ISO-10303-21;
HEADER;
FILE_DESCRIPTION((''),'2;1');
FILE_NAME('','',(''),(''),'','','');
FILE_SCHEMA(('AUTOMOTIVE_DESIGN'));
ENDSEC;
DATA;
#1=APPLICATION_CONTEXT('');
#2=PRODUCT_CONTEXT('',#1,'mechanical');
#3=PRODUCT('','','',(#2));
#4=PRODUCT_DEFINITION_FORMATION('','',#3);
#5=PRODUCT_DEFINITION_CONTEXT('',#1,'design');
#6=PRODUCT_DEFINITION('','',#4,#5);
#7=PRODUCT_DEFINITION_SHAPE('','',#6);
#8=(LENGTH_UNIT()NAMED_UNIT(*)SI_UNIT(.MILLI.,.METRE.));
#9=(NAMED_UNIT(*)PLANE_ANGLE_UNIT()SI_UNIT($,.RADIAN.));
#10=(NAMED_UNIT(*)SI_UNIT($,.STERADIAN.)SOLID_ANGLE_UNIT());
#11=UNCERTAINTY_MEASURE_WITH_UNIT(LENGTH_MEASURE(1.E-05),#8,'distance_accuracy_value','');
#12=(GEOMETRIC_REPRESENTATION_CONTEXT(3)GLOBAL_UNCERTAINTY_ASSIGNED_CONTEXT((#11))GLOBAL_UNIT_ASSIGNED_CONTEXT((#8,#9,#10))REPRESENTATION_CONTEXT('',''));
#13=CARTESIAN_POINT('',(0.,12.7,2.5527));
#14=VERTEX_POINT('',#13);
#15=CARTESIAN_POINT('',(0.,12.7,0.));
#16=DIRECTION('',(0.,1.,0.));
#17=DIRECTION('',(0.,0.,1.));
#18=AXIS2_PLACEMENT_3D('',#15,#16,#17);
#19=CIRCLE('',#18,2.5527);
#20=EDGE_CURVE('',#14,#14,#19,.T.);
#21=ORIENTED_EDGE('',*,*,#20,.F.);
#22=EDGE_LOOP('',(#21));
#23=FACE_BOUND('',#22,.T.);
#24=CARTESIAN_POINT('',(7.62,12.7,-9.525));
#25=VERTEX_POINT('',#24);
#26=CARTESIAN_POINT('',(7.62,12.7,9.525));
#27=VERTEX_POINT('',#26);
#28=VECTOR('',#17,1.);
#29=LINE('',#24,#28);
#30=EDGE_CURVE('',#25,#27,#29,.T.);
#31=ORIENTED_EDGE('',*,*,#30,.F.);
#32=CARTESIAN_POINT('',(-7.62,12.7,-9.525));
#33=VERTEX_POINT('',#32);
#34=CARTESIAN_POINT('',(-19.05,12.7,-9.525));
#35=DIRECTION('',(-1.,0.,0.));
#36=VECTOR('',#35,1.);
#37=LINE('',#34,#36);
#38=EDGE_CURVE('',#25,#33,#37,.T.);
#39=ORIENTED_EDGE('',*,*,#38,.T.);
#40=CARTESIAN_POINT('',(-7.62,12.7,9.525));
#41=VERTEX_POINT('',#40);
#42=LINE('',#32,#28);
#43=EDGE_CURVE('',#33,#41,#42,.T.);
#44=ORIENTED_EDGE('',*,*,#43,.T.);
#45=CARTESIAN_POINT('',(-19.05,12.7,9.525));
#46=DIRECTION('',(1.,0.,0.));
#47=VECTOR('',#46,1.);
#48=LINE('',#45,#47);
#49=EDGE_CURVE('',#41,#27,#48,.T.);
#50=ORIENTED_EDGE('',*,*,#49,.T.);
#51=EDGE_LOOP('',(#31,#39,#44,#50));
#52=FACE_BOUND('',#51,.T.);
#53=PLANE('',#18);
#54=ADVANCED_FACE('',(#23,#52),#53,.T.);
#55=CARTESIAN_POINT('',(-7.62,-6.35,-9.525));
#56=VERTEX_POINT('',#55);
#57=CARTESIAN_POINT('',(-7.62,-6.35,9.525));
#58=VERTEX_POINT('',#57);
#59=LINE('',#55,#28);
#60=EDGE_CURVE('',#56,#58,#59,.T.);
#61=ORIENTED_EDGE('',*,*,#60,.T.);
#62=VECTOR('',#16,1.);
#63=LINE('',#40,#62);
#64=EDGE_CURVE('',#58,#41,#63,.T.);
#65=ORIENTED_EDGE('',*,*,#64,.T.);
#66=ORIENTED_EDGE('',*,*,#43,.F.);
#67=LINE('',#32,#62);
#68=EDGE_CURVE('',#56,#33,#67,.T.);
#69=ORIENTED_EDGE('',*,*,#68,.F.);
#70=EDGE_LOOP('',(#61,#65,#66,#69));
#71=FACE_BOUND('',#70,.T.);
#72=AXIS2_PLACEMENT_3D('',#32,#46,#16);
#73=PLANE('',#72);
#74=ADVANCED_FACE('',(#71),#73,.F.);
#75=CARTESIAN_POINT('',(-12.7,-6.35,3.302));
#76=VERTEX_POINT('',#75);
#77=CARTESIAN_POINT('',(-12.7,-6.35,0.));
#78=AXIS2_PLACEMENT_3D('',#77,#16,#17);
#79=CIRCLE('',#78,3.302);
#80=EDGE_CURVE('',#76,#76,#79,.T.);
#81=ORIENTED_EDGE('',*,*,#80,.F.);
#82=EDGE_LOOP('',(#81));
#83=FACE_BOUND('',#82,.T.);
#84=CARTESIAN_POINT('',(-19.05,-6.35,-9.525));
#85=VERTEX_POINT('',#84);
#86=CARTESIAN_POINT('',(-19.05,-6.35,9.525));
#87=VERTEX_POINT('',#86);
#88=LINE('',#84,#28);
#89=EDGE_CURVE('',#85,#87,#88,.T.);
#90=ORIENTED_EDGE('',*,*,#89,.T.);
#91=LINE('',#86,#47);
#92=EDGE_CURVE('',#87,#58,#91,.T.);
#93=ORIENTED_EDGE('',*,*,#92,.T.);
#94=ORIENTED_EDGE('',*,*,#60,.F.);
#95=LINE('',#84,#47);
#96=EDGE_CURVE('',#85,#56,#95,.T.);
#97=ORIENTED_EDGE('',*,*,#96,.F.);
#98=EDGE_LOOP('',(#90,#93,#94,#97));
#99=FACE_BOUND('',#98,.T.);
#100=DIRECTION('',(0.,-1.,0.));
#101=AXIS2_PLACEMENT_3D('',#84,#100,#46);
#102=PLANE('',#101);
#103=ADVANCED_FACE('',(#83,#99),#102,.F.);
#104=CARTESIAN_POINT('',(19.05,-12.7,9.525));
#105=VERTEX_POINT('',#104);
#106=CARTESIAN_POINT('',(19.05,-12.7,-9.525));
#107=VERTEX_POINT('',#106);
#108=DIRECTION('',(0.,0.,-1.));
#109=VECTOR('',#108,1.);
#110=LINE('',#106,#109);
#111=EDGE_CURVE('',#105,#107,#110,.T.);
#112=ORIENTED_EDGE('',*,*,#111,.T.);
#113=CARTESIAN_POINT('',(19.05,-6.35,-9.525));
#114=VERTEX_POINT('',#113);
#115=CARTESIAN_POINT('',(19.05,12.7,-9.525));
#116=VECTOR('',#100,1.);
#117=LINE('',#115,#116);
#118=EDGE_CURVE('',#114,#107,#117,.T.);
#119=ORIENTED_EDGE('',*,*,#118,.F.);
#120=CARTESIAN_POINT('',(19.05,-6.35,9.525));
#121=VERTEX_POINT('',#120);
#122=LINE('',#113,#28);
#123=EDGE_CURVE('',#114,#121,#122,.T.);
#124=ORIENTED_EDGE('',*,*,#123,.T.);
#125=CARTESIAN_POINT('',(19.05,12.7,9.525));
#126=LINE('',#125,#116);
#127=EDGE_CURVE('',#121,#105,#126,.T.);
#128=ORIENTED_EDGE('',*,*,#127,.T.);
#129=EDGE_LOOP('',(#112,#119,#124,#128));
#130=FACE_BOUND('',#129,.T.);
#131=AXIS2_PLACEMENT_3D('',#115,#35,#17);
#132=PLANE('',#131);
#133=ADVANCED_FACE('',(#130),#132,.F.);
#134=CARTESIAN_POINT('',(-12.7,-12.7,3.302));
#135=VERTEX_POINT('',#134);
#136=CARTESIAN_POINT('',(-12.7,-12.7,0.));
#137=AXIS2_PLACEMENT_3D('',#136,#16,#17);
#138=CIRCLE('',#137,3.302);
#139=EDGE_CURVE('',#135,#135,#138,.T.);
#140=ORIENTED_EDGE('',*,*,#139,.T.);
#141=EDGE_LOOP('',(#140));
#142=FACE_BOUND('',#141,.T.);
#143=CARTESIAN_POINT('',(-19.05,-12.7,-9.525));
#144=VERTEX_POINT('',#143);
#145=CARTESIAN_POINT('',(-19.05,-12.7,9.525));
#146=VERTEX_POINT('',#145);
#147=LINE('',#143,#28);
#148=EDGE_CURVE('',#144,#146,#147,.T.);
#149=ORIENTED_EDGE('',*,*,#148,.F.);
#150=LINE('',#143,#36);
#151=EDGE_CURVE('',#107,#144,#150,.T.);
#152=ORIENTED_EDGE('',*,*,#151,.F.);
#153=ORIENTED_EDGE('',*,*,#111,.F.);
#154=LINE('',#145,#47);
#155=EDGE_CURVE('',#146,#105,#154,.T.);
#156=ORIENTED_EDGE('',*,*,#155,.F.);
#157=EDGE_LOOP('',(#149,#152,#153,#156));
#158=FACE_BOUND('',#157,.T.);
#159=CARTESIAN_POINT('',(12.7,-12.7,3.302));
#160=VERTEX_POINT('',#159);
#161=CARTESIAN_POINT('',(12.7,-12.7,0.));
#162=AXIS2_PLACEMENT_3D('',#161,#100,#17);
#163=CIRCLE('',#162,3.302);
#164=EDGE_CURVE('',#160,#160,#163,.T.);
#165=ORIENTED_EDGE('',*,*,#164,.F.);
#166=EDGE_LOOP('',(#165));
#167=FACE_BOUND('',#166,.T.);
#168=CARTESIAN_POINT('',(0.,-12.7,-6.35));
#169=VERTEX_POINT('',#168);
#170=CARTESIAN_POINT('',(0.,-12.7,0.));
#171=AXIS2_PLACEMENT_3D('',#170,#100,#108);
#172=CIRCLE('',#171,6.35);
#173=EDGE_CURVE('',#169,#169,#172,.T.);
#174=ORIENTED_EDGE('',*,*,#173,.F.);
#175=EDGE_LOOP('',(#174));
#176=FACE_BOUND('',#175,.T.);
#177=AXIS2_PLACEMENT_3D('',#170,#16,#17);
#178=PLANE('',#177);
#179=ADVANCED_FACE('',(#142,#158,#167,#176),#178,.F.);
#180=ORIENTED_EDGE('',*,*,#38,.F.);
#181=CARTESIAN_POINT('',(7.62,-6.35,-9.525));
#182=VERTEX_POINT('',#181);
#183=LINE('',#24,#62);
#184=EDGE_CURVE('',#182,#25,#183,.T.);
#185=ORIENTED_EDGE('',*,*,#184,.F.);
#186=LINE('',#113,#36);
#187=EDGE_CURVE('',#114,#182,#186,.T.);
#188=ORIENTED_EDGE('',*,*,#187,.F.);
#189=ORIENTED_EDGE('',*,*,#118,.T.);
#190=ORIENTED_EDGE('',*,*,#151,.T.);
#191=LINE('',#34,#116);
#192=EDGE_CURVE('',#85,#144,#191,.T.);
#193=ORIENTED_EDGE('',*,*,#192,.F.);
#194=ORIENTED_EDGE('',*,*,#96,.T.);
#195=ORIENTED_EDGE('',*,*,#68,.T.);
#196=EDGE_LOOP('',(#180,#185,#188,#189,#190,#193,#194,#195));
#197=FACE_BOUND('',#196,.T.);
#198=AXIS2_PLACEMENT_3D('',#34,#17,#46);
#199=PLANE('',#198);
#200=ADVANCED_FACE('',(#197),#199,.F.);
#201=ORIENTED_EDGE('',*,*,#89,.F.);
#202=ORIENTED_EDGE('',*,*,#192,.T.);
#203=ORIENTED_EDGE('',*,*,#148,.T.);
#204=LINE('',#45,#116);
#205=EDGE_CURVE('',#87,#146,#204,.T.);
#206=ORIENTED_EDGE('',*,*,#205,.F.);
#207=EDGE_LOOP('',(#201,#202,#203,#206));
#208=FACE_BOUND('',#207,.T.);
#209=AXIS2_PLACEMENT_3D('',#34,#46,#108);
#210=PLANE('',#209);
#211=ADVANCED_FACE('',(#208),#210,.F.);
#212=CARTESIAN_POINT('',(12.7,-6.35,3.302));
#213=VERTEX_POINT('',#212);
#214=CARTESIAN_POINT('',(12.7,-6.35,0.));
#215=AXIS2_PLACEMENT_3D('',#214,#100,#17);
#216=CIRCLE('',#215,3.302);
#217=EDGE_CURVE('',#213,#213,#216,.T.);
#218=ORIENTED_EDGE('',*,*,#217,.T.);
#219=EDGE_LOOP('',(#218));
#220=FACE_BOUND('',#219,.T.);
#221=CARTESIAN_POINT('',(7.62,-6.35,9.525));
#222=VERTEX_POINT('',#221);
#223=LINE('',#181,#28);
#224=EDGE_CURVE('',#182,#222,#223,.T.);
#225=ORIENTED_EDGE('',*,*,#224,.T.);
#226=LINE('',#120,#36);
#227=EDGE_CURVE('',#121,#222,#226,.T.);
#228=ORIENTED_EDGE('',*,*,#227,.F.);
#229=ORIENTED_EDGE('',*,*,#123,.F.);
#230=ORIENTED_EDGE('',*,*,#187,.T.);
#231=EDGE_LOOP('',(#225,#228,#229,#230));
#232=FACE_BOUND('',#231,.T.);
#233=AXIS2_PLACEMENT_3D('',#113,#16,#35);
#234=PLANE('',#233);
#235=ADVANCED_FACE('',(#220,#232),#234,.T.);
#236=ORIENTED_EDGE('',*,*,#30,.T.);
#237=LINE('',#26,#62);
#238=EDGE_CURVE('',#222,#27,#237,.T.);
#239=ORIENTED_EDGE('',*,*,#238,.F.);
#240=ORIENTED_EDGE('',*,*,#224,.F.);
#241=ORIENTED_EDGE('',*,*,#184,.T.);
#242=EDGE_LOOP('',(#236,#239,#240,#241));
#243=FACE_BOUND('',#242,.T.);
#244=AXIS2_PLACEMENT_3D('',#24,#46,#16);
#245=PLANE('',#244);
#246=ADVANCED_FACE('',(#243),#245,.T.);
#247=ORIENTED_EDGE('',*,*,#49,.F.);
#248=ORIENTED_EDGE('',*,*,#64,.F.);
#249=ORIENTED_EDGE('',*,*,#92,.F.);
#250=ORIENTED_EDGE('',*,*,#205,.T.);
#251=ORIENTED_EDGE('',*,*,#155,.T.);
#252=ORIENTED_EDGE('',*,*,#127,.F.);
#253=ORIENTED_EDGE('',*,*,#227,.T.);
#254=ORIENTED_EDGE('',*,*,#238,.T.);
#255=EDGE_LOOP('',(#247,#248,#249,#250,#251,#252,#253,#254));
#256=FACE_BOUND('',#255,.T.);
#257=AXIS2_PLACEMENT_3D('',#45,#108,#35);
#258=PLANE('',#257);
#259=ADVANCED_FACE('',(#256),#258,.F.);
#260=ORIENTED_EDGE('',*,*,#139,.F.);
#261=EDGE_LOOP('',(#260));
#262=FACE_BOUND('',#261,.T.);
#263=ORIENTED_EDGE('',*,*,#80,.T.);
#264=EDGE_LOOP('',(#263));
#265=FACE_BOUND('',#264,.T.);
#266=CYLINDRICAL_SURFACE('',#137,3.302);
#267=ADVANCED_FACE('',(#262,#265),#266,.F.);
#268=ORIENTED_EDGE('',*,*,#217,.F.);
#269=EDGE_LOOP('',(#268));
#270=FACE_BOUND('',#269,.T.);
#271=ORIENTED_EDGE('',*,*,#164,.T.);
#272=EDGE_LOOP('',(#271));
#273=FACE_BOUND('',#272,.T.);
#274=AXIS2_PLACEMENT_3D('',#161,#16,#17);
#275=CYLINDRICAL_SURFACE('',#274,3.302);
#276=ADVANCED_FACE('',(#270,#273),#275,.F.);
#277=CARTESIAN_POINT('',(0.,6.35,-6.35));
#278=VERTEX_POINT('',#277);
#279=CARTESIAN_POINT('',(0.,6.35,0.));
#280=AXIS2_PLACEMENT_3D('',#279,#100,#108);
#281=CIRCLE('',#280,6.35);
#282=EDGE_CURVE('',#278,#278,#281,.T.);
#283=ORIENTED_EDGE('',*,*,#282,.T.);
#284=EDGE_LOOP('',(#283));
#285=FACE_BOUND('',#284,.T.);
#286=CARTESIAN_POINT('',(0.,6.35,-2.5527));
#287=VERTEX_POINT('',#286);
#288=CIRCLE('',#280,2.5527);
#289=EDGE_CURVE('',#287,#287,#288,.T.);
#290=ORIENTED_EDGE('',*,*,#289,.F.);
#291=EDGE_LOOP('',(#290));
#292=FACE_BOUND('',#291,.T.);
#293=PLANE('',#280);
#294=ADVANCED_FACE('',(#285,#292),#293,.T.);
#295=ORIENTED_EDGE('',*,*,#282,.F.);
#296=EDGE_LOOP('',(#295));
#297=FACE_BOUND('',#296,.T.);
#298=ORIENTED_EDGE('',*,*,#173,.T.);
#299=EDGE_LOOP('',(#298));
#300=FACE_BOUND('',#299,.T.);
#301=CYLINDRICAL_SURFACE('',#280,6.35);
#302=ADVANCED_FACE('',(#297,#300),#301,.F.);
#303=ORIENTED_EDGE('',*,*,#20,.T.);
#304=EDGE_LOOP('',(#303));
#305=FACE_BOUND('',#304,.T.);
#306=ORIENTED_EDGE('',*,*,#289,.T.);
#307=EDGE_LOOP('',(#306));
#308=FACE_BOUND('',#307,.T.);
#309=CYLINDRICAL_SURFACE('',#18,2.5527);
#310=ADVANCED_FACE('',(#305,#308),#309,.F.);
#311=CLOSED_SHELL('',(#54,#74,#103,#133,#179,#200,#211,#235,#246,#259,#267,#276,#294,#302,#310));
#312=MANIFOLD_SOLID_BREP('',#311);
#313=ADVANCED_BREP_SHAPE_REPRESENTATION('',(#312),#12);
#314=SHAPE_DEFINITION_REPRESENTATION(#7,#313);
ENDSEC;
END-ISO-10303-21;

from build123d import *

# Parameters (mm, degrees)
SKETCH1_W               = 38.1
SKETCH1_H               = 19.05
BOSS_EXTRUDE1_DEPTH     = 12.7
SKETCH2_W               = 11.43
SKETCH2_H               = 19.05
CUT_EXTRUDE1_DEPTH      = 20.05
SKETCH3_R               = 3.302
CUT_EXTRUDE2_DEPTH      = 7.35
SKETCH7_R               = 6.35
CUT_EXTRUDE6_DEPTH      = 19.05
F_1_4_20_TAPPED_HOLE2_D = 5.1054


with BuildPart() as part:
    # Sketch1 → Boss-Extrude1 (new body, symmetric)
    with BuildSketch(Plane(origin=(0, 0, 0), x_dir=(1, 0, 0), z_dir=(0, 1, 0))):
        Rectangle(SKETCH1_W, SKETCH1_H)
    extrude(amount=BOSS_EXTRUDE1_DEPTH, both=True)

    # Sketch2 → Cut-Extrude1 (cut, through all)
    with BuildSketch(Plane.XY.offset(9.525)):
        with Locations((-13.335, 3.175)):
            Rectangle(SKETCH2_W, SKETCH2_H)
    cut_extrude1 = extrude(amount=-CUT_EXTRUDE1_DEPTH, mode=Mode.SUBTRACT)

    # Sketch3 → Cut-Extrude2 (cut, through all)
    with BuildSketch(Plane(origin=(0, -6.35, 0), x_dir=(1, 0, 0), z_dir=(0, 1, 0))):
        with Locations((-12.7, 0)):
            Circle(SKETCH3_R)
    cut_extrude2 = extrude(amount=-CUT_EXTRUDE2_DEPTH, mode=Mode.SUBTRACT)

    # Mirror1: Cut-Extrude1, Cut-Extrude2 across plane
    add(cut_extrude1.mirror(Plane(origin=(0, 0, 0), x_dir=(0, 0, 1), z_dir=(1, 0, 0))), mode=Mode.SUBTRACT)
    add(cut_extrude2.mirror(Plane(origin=(0, 0, 0), x_dir=(0, 0, 1), z_dir=(1, 0, 0))), mode=Mode.SUBTRACT)

    # Sketch7 → Cut-Extrude6 (cut)
    with BuildSketch(Plane.XZ.offset(12.7)):
        Circle(SKETCH7_R)
    extrude(amount=-CUT_EXTRUDE6_DEPTH, mode=Mode.SUBTRACT)

    # 1/4-20 Tapped Hole2 (through all)
    with Locations(Plane(origin=(0, 12.7, 0), x_dir=(1, 0, 0), z_dir=(0, 1, 0))):
        with Locations((0, 0)):
            Hole(F_1_4_20_TAPPED_HOLE2_D / 2)


solid = part.part
